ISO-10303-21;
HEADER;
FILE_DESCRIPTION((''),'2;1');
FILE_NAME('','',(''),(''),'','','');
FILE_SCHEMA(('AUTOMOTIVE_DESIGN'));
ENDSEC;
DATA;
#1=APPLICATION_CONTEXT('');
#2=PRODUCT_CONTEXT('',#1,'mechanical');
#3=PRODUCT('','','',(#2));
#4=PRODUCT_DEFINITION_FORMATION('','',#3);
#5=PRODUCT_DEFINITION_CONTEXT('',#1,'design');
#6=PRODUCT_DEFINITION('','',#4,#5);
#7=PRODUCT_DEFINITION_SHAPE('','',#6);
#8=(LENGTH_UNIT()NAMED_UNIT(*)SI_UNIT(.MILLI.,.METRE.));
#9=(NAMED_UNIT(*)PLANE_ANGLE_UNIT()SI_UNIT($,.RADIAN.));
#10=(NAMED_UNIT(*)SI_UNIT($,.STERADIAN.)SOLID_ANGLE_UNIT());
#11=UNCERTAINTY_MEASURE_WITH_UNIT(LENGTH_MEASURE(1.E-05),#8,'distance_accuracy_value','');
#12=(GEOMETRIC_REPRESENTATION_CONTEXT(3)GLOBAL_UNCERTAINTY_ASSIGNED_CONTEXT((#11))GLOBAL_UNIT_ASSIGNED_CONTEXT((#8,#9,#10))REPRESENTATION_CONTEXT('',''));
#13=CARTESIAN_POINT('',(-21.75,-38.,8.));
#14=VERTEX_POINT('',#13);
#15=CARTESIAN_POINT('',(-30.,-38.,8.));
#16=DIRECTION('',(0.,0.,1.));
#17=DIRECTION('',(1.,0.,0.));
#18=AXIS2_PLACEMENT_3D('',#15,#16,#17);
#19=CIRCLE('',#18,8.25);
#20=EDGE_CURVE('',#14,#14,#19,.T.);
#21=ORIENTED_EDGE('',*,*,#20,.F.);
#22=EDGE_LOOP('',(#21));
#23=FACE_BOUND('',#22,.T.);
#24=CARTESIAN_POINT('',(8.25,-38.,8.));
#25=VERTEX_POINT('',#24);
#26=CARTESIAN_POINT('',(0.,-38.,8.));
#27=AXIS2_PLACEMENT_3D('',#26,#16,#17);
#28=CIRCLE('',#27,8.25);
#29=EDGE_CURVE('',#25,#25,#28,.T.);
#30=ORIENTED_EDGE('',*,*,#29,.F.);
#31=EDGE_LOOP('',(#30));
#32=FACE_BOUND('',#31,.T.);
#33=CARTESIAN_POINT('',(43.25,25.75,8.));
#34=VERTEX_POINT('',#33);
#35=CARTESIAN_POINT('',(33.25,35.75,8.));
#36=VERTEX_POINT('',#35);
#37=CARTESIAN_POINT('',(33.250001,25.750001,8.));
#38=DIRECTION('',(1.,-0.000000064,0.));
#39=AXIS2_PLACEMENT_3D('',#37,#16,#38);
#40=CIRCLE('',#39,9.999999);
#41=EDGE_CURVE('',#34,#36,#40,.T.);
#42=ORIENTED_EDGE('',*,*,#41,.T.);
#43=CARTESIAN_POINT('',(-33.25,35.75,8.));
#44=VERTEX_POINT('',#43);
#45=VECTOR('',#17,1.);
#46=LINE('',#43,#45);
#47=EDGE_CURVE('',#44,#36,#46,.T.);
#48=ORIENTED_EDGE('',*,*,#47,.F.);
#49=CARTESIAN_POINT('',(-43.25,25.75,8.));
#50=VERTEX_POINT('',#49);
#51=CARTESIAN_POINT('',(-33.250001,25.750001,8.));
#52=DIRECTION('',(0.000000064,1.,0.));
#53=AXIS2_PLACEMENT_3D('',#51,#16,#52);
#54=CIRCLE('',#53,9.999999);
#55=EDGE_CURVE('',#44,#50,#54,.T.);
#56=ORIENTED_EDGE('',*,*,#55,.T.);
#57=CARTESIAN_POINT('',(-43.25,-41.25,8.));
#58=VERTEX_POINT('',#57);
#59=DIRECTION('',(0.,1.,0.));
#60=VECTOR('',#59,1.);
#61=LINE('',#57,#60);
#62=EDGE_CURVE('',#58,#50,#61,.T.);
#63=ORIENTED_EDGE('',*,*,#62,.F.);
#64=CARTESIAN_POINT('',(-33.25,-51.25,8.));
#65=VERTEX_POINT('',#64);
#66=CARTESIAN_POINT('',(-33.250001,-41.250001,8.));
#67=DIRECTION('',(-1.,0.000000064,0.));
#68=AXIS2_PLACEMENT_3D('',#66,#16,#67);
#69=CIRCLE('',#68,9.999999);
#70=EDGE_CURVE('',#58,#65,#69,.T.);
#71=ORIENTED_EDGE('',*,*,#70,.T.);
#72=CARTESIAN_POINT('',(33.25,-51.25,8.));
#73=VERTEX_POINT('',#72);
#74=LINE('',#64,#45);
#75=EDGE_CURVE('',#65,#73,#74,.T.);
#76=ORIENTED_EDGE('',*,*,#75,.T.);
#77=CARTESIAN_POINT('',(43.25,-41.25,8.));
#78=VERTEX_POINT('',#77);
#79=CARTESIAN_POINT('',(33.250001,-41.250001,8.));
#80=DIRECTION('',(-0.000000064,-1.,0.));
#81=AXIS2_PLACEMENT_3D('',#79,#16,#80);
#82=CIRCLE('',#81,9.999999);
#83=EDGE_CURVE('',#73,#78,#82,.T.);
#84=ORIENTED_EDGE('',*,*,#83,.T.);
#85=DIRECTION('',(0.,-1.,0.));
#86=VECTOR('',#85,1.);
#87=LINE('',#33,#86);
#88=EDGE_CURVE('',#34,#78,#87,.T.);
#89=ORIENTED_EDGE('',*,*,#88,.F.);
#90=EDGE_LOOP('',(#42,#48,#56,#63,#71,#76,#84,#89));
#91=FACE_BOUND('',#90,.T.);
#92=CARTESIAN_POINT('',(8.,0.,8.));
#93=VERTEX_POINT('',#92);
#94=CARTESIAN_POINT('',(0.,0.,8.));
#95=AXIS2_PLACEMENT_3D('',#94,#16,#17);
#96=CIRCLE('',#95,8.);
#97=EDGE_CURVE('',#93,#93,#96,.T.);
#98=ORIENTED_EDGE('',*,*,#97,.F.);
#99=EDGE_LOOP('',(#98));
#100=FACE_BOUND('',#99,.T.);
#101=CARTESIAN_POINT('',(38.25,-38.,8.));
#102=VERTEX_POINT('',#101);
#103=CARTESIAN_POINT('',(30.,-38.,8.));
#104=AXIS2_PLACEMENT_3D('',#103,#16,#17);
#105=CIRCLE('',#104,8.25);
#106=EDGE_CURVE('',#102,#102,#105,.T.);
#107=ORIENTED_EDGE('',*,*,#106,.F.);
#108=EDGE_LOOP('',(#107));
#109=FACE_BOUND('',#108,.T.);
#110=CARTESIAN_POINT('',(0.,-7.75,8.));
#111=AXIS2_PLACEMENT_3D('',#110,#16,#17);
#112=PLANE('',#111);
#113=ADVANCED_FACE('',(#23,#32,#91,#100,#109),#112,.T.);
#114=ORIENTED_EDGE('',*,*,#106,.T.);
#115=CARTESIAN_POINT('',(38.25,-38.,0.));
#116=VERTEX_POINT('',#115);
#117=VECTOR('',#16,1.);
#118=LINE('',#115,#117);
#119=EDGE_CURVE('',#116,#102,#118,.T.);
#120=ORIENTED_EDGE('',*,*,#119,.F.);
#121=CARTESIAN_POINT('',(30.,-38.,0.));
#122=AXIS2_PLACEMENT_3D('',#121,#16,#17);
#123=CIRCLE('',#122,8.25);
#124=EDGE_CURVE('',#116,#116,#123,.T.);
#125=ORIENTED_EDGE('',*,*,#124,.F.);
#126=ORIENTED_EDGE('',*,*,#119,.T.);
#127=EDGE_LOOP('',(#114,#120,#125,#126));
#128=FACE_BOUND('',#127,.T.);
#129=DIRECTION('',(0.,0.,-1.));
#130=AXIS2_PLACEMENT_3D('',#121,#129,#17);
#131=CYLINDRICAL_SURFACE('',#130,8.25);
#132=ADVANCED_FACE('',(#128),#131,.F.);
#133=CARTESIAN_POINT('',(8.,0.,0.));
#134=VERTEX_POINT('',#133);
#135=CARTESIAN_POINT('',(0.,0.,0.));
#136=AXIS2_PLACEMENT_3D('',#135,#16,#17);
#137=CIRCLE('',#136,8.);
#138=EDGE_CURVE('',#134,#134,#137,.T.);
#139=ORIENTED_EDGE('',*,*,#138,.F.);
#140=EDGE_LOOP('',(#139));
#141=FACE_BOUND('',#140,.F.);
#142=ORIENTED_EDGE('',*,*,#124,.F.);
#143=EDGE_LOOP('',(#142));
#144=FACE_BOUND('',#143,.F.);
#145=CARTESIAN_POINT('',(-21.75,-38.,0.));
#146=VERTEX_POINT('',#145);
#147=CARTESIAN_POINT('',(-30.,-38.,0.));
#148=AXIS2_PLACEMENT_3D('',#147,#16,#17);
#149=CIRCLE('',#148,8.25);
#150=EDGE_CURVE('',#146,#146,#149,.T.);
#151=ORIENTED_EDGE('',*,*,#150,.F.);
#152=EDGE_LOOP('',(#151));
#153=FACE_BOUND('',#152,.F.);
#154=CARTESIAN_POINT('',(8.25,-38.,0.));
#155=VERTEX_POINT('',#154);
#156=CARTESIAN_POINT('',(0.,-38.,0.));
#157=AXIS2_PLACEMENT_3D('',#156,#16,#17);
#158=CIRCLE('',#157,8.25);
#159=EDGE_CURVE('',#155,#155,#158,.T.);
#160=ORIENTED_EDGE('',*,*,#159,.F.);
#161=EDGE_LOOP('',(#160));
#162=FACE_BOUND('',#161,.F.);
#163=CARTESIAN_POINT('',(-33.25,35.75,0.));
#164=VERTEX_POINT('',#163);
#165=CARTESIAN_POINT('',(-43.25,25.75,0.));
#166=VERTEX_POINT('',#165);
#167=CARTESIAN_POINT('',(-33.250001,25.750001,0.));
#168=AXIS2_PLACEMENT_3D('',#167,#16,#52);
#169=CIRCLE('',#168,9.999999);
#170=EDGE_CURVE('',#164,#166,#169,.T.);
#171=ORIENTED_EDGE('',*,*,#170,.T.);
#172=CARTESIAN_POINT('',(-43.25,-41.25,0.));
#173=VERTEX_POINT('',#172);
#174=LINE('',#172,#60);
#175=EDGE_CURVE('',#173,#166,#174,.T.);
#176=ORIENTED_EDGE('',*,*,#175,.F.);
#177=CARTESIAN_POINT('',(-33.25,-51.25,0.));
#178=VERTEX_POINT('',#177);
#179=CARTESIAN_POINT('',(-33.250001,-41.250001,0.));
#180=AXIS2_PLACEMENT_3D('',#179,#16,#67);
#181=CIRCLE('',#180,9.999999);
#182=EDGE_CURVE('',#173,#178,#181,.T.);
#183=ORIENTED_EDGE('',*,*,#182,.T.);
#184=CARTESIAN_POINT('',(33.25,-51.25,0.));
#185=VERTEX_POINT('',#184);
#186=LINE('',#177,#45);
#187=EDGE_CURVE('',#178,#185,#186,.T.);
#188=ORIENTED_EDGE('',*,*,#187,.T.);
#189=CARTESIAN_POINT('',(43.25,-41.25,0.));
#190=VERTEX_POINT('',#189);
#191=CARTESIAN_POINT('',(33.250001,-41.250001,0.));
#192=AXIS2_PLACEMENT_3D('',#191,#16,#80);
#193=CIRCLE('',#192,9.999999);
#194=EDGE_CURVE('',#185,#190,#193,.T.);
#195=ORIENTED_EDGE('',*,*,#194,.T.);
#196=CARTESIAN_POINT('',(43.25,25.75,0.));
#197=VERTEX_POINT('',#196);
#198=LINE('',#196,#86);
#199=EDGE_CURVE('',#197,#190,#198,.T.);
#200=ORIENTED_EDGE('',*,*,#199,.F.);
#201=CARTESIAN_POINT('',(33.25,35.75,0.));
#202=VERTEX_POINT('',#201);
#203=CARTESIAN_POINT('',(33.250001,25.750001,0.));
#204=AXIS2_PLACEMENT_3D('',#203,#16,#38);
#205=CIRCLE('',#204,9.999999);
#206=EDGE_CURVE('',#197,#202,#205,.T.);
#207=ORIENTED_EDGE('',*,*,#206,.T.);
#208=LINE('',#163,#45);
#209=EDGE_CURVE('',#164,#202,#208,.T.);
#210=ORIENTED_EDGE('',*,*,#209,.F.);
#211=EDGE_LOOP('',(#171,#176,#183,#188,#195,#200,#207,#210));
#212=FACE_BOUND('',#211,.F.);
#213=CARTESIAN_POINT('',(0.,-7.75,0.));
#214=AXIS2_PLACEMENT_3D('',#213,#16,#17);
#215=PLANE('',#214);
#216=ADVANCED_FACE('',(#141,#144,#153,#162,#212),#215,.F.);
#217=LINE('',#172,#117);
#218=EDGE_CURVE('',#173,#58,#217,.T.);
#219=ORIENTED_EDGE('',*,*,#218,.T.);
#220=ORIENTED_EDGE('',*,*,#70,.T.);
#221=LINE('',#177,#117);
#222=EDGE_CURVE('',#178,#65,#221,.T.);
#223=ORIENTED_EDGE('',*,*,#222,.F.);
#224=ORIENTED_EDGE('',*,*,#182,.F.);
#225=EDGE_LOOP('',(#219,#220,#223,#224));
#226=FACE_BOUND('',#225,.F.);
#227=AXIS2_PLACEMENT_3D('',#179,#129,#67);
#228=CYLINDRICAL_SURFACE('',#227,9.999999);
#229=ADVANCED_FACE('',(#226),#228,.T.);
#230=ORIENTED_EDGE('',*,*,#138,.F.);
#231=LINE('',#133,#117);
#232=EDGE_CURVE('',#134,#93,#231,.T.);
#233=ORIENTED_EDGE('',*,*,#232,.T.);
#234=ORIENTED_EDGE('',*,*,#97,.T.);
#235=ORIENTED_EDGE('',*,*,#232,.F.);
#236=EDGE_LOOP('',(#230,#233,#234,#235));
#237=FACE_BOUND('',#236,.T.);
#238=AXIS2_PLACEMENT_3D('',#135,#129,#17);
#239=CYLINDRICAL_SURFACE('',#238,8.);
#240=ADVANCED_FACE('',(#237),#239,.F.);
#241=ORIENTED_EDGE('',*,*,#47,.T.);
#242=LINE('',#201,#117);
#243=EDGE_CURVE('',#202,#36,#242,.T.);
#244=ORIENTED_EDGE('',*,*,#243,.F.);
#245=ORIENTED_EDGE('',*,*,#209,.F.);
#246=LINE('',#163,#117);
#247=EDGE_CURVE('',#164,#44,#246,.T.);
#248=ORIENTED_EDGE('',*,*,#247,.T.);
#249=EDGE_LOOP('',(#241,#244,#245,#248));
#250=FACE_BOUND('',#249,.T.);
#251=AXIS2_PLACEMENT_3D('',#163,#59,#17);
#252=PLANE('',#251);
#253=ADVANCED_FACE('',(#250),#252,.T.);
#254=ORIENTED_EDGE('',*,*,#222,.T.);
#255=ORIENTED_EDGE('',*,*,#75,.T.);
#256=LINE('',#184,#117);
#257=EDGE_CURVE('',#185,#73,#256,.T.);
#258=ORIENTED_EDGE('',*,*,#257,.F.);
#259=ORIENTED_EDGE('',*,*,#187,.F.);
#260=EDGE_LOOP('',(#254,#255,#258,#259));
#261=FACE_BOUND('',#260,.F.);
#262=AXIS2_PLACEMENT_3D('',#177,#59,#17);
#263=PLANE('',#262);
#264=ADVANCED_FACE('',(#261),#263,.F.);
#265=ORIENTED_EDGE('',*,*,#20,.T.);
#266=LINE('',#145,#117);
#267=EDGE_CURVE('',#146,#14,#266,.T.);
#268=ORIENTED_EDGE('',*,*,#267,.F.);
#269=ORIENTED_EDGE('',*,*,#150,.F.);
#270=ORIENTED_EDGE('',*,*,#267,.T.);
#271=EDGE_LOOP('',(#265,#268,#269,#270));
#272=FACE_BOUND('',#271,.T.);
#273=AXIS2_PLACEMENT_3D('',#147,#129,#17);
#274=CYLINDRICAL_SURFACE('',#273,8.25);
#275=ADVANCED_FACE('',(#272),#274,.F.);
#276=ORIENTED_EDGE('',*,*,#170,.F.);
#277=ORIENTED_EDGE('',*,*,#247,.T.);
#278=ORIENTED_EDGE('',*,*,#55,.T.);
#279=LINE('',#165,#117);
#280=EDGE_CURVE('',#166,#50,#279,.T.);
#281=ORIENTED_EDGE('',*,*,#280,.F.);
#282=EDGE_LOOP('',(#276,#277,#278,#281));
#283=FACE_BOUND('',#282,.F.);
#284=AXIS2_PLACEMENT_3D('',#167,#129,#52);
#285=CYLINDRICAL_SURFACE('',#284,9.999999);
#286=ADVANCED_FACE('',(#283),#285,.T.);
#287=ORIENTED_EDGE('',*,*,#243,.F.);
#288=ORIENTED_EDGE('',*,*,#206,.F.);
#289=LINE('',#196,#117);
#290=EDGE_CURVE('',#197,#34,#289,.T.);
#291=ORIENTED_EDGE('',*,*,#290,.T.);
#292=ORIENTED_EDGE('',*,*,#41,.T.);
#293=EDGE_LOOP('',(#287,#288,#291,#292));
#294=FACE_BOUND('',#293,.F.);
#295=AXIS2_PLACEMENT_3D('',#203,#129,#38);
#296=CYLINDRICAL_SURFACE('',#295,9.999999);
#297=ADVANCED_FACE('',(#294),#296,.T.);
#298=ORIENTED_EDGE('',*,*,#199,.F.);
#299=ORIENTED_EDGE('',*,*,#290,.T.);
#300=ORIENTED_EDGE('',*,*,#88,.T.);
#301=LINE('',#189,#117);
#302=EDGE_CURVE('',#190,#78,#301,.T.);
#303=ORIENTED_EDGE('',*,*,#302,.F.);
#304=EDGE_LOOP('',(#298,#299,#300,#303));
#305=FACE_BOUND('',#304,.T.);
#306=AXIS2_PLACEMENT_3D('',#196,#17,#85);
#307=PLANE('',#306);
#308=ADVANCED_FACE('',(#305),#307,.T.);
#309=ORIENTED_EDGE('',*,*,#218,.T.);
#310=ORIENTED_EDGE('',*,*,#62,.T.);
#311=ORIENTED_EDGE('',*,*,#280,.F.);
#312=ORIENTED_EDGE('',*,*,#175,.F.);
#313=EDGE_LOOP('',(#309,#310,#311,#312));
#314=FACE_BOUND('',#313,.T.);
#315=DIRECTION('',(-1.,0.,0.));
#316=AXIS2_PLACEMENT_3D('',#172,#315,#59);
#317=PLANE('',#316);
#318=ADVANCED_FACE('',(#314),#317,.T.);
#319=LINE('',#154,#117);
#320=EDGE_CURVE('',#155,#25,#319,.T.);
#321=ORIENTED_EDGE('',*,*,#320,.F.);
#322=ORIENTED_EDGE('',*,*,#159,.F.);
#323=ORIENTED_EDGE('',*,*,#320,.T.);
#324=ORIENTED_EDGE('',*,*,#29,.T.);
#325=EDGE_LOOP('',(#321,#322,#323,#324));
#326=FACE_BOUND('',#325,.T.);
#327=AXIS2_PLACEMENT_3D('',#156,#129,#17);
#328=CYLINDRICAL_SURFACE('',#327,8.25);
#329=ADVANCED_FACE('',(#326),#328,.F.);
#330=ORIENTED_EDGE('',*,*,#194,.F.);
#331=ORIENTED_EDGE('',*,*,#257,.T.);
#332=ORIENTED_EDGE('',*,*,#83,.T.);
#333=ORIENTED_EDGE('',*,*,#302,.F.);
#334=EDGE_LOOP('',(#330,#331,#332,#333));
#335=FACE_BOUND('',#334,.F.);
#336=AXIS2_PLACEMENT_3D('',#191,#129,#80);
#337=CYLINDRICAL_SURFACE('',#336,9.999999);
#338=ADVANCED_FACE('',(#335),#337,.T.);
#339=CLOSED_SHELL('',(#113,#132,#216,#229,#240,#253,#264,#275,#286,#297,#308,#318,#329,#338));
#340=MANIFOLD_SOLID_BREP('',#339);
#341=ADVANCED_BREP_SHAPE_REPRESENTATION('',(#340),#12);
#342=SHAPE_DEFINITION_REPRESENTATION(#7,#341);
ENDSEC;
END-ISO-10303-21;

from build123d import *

# Parameters (mm, degrees)
SKETCH_R   = 8
SKETCH_R_2 = 8.25
PAD_DEPTH  = 8


with BuildPart() as part:
    # Sketch → Pad (new body)
    with BuildSketch(Plane.XY):
        with BuildLine():
            Line((-33.25, -51.25), (33.25, -51.25))
            ThreePointArc((33.25, -51.25), (40.321068, -48.321068), (43.25, -41.25))
            Line((43.25, 25.75), (43.25, -41.25))
            ThreePointArc((43.25, 25.75), (40.321068, 32.821068), (33.25, 35.75))
            Line((-33.25, 35.75), (33.25, 35.75))
            ThreePointArc((-33.25, 35.75), (-40.321068, 32.821068), (-43.25, 25.75))
            Line((-43.25, -41.25), (-43.25, 25.75))
            ThreePointArc((-43.25, -41.25), (-40.321068, -48.321068), (-33.25, -51.25))
        make_face()
        Circle(SKETCH_R, mode=Mode.SUBTRACT)
        with Locations((0, -38)):
            Circle(SKETCH_R_2, mode=Mode.SUBTRACT)
        with Locations((-30, -38)):
            Circle(SKETCH_R_2, mode=Mode.SUBTRACT)
        with Locations((30, -38)):
            Circle(SKETCH_R_2, mode=Mode.SUBTRACT)
    extrude(amount=PAD_DEPTH)


solid = part.part
